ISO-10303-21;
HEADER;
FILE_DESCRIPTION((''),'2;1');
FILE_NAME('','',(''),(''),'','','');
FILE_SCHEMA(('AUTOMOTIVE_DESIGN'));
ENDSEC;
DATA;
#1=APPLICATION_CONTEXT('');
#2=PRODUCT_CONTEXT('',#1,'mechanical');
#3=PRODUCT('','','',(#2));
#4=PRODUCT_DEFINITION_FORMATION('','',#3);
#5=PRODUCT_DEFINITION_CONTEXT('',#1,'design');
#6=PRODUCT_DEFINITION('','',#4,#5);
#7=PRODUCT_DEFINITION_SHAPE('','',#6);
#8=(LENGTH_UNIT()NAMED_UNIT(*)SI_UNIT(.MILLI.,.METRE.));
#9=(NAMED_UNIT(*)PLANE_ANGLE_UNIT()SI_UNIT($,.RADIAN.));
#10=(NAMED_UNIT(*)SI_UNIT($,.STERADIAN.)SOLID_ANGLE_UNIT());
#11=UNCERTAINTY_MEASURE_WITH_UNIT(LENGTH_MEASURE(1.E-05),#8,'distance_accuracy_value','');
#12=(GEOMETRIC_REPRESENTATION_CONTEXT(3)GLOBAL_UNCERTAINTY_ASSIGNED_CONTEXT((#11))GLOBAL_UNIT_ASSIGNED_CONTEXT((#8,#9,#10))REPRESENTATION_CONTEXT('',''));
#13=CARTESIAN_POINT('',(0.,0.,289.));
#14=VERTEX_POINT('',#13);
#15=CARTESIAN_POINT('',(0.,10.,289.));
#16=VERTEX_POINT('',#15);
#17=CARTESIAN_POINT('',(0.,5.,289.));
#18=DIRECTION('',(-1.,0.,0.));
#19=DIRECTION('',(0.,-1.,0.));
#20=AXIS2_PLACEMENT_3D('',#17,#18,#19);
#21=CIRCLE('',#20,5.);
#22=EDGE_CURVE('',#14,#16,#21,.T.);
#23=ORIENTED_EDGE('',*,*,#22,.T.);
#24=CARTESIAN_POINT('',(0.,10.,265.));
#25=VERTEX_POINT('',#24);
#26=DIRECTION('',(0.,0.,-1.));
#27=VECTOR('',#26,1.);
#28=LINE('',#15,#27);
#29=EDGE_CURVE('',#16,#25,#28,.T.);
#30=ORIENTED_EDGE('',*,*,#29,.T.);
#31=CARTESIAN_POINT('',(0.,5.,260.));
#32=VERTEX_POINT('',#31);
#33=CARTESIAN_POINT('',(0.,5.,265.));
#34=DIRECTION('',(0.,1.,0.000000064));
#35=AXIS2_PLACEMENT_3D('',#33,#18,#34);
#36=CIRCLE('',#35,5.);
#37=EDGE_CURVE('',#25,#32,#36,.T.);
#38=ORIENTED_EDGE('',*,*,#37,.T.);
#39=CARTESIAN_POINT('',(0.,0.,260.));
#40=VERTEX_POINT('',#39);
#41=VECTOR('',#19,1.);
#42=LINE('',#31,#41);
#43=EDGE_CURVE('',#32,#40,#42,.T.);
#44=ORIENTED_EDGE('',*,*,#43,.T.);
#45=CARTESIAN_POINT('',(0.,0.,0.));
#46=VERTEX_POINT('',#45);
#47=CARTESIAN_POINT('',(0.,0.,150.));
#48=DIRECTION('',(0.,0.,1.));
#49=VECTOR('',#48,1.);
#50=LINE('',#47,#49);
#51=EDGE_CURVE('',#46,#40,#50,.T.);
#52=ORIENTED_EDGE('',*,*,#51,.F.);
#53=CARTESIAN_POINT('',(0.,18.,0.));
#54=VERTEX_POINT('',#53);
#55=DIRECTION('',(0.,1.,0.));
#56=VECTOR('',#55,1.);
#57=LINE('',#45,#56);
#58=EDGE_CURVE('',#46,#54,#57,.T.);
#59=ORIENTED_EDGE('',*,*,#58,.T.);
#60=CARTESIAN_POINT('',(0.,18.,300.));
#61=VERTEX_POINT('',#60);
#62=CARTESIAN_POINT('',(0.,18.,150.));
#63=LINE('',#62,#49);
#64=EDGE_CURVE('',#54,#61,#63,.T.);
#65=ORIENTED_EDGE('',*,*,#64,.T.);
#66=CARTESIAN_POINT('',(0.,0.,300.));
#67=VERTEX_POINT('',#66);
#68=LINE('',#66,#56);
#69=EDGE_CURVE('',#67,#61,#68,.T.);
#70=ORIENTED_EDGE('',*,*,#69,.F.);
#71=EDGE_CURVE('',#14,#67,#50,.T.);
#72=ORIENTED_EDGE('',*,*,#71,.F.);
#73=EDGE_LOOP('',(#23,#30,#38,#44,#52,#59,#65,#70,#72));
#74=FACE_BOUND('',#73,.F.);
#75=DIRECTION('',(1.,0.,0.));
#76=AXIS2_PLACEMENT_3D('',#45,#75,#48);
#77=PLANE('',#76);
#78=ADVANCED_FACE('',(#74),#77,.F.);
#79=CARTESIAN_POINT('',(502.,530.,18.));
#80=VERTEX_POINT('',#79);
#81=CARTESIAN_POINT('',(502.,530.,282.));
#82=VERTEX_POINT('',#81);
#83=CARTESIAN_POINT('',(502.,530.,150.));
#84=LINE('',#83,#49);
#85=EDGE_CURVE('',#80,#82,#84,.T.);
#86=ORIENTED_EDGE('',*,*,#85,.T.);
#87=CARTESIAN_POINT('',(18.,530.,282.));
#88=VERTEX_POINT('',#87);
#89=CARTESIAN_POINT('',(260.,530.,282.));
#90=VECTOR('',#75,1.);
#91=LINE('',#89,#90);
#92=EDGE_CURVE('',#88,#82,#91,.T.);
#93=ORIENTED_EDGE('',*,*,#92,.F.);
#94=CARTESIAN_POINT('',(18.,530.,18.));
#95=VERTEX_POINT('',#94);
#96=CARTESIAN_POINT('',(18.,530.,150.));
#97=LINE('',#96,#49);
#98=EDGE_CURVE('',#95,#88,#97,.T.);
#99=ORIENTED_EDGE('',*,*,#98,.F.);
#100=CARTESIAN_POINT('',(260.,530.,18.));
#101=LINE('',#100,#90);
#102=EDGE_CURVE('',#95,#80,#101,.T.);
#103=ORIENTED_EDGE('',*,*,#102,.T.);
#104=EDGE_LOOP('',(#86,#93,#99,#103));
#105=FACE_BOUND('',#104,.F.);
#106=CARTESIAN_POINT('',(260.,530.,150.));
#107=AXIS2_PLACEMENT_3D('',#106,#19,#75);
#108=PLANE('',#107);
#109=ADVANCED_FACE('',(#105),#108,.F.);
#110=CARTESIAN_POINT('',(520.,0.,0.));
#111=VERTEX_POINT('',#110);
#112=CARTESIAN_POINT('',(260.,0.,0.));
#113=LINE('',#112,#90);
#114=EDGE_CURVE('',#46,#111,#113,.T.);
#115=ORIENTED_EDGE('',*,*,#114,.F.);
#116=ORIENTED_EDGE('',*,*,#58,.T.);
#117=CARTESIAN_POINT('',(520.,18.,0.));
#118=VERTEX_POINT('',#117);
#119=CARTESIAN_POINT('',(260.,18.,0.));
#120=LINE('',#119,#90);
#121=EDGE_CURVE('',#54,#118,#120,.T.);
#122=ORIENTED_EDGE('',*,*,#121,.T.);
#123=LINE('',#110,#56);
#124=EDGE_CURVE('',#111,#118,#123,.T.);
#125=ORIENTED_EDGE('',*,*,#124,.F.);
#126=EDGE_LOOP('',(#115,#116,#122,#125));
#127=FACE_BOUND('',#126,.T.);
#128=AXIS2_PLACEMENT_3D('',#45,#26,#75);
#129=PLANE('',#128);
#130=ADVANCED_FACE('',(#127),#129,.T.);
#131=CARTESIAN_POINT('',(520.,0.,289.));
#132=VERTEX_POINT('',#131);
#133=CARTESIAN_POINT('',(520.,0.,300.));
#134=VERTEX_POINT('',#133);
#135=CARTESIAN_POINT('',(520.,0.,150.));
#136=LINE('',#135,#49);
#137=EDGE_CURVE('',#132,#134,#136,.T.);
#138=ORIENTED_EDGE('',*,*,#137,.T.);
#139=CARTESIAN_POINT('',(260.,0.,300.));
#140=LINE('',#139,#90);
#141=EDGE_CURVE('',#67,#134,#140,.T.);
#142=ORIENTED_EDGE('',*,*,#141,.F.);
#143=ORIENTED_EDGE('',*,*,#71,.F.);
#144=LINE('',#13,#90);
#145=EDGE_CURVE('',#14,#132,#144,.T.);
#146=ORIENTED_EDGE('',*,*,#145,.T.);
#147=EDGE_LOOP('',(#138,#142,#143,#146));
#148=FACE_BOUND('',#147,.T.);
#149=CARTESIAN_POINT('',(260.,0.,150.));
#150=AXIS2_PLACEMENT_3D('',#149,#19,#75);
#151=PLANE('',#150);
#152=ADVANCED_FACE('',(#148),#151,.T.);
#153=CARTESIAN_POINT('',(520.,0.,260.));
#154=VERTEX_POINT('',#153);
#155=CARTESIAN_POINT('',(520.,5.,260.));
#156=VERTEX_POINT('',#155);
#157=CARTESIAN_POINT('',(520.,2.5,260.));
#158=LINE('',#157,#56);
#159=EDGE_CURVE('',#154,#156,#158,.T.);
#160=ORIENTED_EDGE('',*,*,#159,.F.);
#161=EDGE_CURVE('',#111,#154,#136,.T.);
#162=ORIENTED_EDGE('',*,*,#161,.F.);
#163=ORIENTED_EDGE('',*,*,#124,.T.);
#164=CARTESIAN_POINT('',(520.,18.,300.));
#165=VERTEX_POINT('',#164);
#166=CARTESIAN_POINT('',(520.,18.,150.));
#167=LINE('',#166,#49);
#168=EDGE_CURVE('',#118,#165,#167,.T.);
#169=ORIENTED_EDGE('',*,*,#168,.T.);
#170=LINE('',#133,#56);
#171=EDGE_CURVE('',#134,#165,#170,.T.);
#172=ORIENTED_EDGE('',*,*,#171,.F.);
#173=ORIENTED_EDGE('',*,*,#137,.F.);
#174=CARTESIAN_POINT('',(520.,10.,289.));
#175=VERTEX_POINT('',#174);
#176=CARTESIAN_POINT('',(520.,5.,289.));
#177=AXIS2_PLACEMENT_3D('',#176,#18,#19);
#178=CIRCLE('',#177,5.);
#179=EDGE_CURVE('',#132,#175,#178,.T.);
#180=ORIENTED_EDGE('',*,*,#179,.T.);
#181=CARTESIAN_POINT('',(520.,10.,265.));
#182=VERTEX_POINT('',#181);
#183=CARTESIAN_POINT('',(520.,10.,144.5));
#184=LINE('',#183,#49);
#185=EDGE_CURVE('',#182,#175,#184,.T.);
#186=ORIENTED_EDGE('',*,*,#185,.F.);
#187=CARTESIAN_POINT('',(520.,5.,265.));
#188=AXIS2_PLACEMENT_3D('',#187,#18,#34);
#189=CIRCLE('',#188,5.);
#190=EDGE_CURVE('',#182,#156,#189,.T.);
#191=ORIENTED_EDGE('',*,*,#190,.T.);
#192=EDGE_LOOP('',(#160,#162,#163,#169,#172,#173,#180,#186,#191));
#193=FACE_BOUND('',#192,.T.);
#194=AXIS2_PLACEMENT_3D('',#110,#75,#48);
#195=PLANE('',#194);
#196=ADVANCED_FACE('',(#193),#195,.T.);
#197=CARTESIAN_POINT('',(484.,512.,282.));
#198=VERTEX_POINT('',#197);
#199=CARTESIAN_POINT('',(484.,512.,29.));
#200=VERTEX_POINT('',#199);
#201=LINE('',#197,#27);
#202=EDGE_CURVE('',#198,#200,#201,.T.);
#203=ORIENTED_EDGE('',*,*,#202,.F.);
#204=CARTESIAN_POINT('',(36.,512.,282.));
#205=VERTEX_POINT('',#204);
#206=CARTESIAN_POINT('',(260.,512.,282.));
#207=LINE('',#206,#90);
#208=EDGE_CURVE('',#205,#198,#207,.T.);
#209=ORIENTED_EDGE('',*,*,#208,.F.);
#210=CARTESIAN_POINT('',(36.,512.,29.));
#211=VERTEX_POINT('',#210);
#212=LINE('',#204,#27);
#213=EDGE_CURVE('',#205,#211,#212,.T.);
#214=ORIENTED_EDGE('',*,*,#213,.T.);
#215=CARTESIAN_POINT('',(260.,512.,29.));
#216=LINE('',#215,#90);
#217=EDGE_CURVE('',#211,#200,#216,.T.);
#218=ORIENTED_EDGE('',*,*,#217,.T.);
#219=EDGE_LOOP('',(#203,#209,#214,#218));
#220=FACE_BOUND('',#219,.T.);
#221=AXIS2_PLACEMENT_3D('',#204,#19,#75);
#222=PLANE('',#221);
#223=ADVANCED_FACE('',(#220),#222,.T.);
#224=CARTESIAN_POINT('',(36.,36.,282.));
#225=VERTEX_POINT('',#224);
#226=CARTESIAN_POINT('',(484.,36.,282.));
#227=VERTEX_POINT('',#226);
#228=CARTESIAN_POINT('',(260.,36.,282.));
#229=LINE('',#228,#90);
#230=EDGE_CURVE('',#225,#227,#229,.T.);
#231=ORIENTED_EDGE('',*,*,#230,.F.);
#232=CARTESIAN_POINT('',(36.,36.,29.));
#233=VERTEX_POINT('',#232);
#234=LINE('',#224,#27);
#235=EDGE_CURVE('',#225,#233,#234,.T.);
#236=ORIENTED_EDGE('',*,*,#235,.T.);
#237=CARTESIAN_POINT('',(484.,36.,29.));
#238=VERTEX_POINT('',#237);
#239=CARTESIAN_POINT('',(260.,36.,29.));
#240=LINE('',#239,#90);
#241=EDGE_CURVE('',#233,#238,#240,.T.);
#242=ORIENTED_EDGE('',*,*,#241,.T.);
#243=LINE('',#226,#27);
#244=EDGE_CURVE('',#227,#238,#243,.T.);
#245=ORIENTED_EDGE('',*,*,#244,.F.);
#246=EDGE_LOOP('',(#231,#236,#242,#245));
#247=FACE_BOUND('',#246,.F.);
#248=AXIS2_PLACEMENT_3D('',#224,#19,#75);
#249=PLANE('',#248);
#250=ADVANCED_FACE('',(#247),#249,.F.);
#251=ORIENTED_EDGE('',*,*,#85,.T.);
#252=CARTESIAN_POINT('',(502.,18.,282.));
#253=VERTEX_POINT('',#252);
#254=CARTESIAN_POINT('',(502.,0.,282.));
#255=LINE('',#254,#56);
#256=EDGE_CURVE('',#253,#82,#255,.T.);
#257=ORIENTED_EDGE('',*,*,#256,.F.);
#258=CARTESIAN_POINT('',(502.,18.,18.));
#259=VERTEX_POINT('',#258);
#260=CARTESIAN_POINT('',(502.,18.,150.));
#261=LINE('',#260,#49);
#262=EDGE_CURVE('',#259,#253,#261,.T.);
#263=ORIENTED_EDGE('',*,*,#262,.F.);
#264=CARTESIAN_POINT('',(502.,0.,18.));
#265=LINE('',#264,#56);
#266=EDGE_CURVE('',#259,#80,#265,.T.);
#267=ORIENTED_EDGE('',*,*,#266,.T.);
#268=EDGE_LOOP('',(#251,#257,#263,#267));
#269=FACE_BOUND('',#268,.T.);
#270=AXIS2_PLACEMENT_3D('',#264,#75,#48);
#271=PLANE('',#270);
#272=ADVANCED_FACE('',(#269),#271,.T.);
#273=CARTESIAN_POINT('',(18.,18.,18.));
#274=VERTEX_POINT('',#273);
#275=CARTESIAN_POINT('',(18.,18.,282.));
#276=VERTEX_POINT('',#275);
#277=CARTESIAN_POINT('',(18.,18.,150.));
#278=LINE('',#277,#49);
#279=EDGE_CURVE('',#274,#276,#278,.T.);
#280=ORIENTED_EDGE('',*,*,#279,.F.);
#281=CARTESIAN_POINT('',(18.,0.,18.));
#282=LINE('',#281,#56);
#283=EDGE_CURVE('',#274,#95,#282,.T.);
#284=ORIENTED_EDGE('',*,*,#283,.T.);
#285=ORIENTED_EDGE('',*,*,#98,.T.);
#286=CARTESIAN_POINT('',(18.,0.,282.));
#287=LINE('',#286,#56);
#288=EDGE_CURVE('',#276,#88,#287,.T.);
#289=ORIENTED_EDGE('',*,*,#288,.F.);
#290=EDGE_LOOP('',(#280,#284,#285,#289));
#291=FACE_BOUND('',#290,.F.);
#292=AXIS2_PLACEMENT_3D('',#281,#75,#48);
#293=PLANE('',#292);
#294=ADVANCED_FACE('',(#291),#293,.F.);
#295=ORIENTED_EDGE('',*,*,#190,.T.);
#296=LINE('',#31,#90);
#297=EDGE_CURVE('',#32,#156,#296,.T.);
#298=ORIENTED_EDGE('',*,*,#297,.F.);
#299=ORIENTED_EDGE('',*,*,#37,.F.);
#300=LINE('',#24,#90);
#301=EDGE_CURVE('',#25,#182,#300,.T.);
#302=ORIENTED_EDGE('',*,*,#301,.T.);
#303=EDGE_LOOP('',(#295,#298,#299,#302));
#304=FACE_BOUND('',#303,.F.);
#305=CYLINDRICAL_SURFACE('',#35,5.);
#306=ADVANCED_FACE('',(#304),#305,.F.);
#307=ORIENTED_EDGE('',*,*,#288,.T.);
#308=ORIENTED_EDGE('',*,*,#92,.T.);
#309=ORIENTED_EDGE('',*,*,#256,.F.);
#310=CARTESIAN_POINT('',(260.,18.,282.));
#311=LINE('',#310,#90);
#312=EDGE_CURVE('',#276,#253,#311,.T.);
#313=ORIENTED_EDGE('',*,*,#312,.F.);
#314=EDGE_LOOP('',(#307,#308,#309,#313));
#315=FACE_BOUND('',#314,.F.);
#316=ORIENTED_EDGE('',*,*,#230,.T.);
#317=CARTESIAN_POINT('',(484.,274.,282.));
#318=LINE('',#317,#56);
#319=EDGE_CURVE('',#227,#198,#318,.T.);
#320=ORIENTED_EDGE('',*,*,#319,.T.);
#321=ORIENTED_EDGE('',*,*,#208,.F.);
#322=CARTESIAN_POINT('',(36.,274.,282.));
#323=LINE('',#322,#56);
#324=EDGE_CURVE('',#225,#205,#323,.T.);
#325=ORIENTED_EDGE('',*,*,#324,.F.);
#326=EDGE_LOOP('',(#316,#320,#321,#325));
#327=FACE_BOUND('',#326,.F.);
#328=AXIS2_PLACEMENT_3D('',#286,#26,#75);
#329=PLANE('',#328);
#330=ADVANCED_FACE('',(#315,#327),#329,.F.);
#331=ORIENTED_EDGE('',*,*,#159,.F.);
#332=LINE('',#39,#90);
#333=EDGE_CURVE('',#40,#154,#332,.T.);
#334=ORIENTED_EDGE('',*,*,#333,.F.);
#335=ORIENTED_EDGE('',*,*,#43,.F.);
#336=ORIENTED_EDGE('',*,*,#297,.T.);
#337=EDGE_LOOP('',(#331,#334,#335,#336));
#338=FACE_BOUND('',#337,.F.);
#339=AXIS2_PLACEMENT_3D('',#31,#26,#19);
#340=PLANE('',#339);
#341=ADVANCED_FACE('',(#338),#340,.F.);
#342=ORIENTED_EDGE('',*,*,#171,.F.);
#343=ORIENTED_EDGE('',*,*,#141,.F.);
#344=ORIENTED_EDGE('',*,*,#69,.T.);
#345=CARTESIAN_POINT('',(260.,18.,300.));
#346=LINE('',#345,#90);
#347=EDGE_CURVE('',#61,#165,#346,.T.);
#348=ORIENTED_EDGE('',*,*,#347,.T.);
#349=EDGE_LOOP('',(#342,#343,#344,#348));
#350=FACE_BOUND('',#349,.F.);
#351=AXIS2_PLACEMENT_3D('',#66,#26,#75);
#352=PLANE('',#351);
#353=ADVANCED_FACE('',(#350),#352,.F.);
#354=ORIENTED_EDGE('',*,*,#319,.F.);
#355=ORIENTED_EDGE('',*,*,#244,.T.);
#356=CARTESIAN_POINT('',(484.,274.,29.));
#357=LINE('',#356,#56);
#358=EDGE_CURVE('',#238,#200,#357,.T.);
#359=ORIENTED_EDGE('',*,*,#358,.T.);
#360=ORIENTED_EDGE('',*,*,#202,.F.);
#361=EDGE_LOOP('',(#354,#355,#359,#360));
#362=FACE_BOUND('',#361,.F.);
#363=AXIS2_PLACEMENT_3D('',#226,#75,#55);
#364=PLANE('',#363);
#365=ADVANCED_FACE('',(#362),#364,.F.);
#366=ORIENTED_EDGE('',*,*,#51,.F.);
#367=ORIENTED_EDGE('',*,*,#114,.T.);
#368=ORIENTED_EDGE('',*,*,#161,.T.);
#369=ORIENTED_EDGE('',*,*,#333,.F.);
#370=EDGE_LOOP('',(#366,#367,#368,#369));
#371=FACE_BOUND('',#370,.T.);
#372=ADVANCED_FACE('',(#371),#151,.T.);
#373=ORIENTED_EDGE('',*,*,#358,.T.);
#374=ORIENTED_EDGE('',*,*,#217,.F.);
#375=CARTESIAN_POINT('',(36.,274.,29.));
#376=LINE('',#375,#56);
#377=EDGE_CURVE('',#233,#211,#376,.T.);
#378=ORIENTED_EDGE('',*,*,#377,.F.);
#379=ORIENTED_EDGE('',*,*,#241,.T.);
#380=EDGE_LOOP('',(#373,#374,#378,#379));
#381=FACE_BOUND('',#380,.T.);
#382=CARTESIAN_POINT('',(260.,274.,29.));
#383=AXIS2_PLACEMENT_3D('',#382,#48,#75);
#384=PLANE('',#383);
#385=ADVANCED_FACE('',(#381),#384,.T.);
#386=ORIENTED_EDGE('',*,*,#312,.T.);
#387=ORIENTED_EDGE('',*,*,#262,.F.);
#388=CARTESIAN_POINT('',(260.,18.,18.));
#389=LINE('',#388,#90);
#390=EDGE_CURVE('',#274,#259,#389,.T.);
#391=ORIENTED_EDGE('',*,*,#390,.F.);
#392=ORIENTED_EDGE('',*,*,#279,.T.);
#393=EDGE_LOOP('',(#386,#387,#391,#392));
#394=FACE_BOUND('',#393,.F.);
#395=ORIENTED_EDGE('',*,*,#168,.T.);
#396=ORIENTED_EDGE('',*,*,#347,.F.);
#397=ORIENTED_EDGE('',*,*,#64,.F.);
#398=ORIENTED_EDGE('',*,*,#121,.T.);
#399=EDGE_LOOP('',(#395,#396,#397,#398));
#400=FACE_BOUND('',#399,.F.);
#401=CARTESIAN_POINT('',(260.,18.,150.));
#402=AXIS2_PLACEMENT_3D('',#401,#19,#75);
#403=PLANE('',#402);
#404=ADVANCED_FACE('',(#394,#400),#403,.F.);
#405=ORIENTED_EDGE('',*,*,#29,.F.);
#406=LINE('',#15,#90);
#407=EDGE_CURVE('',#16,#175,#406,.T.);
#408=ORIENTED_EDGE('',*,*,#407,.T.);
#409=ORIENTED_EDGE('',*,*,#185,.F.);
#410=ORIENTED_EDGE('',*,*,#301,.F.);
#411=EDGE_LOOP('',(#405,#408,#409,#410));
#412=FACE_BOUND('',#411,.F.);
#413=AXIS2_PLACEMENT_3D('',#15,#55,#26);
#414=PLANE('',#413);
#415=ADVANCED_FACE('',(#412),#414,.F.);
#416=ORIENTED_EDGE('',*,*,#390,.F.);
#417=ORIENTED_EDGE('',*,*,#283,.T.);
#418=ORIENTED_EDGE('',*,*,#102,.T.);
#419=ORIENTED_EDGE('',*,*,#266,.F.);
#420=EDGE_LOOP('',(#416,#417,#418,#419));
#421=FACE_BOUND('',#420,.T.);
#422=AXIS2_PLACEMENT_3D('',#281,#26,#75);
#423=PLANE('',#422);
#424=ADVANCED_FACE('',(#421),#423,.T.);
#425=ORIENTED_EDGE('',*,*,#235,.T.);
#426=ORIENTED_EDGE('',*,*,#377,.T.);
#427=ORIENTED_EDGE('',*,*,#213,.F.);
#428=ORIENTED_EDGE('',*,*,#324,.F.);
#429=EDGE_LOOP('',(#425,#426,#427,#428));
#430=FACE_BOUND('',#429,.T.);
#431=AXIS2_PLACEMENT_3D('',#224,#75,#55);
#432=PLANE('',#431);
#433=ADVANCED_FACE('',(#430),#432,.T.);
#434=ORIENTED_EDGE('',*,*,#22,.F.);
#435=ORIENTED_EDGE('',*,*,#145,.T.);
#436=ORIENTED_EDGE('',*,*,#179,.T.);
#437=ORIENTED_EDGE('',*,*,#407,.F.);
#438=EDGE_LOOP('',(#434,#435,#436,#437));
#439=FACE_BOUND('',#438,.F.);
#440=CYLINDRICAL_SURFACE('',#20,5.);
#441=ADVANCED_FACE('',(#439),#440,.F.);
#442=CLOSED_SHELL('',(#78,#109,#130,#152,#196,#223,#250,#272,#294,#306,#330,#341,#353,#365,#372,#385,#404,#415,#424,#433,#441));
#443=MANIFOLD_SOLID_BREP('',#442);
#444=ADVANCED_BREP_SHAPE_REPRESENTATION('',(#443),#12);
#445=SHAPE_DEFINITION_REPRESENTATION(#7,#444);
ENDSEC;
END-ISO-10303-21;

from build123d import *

# Parameters (mm, degrees)
F0_W     = 520
F0_H     = 300
F0_W_2   = 484
F0_H_2   = 264
F1_DEPTH = 18
F2_DEPTH = 530
F3_W     = 448
F3_H     = 476
F4_DEPTH = 253
F6_DEPTH = 545


with BuildPart() as f1:
    # F0 (on Front) → F1 (new body)
    with BuildSketch(Plane.XZ):
        with Locations((260, 150)):
            Rectangle(F0_W, F0_H)
        with Locations((260, 150)):
            Rectangle(F0_W_2, F0_H_2, mode=Mode.SUBTRACT)
    extrude(amount=-F1_DEPTH)

    # F0 (on Front) → F2 (join)
    with BuildSketch(Plane.XZ):
        with Locations((260, 150)):
            Rectangle(F0_W_2, F0_H_2)
    extrude(amount=-F2_DEPTH)

    # F3 (on face) → F4 (cut)
    with BuildSketch(Plane.XY.offset(282)):
        with Locations((260, 274)):
            Rectangle(F3_W, F3_H)
    extrude(amount=-F4_DEPTH, mode=Mode.SUBTRACT)

    # F5 (on face) → F6 (cut)
    with BuildSketch(Plane(origin=(0, 0, 0), x_dir=(0, -1, 0), z_dir=(-1, 0, 0))):
        with BuildLine():
            Line((-5, 260), (0, 260))
            Line((0, 260), (0, 289))
            ThreePointArc((0, 289), (-5, 294), (-10, 289))
            Line((-10, 289), (-10, 265))
            ThreePointArc((-10, 265), (-8.535534, 261.464466), (-5, 260))
        make_face()
    extrude(amount=-F6_DEPTH, mode=Mode.SUBTRACT)


solid = f1.part
